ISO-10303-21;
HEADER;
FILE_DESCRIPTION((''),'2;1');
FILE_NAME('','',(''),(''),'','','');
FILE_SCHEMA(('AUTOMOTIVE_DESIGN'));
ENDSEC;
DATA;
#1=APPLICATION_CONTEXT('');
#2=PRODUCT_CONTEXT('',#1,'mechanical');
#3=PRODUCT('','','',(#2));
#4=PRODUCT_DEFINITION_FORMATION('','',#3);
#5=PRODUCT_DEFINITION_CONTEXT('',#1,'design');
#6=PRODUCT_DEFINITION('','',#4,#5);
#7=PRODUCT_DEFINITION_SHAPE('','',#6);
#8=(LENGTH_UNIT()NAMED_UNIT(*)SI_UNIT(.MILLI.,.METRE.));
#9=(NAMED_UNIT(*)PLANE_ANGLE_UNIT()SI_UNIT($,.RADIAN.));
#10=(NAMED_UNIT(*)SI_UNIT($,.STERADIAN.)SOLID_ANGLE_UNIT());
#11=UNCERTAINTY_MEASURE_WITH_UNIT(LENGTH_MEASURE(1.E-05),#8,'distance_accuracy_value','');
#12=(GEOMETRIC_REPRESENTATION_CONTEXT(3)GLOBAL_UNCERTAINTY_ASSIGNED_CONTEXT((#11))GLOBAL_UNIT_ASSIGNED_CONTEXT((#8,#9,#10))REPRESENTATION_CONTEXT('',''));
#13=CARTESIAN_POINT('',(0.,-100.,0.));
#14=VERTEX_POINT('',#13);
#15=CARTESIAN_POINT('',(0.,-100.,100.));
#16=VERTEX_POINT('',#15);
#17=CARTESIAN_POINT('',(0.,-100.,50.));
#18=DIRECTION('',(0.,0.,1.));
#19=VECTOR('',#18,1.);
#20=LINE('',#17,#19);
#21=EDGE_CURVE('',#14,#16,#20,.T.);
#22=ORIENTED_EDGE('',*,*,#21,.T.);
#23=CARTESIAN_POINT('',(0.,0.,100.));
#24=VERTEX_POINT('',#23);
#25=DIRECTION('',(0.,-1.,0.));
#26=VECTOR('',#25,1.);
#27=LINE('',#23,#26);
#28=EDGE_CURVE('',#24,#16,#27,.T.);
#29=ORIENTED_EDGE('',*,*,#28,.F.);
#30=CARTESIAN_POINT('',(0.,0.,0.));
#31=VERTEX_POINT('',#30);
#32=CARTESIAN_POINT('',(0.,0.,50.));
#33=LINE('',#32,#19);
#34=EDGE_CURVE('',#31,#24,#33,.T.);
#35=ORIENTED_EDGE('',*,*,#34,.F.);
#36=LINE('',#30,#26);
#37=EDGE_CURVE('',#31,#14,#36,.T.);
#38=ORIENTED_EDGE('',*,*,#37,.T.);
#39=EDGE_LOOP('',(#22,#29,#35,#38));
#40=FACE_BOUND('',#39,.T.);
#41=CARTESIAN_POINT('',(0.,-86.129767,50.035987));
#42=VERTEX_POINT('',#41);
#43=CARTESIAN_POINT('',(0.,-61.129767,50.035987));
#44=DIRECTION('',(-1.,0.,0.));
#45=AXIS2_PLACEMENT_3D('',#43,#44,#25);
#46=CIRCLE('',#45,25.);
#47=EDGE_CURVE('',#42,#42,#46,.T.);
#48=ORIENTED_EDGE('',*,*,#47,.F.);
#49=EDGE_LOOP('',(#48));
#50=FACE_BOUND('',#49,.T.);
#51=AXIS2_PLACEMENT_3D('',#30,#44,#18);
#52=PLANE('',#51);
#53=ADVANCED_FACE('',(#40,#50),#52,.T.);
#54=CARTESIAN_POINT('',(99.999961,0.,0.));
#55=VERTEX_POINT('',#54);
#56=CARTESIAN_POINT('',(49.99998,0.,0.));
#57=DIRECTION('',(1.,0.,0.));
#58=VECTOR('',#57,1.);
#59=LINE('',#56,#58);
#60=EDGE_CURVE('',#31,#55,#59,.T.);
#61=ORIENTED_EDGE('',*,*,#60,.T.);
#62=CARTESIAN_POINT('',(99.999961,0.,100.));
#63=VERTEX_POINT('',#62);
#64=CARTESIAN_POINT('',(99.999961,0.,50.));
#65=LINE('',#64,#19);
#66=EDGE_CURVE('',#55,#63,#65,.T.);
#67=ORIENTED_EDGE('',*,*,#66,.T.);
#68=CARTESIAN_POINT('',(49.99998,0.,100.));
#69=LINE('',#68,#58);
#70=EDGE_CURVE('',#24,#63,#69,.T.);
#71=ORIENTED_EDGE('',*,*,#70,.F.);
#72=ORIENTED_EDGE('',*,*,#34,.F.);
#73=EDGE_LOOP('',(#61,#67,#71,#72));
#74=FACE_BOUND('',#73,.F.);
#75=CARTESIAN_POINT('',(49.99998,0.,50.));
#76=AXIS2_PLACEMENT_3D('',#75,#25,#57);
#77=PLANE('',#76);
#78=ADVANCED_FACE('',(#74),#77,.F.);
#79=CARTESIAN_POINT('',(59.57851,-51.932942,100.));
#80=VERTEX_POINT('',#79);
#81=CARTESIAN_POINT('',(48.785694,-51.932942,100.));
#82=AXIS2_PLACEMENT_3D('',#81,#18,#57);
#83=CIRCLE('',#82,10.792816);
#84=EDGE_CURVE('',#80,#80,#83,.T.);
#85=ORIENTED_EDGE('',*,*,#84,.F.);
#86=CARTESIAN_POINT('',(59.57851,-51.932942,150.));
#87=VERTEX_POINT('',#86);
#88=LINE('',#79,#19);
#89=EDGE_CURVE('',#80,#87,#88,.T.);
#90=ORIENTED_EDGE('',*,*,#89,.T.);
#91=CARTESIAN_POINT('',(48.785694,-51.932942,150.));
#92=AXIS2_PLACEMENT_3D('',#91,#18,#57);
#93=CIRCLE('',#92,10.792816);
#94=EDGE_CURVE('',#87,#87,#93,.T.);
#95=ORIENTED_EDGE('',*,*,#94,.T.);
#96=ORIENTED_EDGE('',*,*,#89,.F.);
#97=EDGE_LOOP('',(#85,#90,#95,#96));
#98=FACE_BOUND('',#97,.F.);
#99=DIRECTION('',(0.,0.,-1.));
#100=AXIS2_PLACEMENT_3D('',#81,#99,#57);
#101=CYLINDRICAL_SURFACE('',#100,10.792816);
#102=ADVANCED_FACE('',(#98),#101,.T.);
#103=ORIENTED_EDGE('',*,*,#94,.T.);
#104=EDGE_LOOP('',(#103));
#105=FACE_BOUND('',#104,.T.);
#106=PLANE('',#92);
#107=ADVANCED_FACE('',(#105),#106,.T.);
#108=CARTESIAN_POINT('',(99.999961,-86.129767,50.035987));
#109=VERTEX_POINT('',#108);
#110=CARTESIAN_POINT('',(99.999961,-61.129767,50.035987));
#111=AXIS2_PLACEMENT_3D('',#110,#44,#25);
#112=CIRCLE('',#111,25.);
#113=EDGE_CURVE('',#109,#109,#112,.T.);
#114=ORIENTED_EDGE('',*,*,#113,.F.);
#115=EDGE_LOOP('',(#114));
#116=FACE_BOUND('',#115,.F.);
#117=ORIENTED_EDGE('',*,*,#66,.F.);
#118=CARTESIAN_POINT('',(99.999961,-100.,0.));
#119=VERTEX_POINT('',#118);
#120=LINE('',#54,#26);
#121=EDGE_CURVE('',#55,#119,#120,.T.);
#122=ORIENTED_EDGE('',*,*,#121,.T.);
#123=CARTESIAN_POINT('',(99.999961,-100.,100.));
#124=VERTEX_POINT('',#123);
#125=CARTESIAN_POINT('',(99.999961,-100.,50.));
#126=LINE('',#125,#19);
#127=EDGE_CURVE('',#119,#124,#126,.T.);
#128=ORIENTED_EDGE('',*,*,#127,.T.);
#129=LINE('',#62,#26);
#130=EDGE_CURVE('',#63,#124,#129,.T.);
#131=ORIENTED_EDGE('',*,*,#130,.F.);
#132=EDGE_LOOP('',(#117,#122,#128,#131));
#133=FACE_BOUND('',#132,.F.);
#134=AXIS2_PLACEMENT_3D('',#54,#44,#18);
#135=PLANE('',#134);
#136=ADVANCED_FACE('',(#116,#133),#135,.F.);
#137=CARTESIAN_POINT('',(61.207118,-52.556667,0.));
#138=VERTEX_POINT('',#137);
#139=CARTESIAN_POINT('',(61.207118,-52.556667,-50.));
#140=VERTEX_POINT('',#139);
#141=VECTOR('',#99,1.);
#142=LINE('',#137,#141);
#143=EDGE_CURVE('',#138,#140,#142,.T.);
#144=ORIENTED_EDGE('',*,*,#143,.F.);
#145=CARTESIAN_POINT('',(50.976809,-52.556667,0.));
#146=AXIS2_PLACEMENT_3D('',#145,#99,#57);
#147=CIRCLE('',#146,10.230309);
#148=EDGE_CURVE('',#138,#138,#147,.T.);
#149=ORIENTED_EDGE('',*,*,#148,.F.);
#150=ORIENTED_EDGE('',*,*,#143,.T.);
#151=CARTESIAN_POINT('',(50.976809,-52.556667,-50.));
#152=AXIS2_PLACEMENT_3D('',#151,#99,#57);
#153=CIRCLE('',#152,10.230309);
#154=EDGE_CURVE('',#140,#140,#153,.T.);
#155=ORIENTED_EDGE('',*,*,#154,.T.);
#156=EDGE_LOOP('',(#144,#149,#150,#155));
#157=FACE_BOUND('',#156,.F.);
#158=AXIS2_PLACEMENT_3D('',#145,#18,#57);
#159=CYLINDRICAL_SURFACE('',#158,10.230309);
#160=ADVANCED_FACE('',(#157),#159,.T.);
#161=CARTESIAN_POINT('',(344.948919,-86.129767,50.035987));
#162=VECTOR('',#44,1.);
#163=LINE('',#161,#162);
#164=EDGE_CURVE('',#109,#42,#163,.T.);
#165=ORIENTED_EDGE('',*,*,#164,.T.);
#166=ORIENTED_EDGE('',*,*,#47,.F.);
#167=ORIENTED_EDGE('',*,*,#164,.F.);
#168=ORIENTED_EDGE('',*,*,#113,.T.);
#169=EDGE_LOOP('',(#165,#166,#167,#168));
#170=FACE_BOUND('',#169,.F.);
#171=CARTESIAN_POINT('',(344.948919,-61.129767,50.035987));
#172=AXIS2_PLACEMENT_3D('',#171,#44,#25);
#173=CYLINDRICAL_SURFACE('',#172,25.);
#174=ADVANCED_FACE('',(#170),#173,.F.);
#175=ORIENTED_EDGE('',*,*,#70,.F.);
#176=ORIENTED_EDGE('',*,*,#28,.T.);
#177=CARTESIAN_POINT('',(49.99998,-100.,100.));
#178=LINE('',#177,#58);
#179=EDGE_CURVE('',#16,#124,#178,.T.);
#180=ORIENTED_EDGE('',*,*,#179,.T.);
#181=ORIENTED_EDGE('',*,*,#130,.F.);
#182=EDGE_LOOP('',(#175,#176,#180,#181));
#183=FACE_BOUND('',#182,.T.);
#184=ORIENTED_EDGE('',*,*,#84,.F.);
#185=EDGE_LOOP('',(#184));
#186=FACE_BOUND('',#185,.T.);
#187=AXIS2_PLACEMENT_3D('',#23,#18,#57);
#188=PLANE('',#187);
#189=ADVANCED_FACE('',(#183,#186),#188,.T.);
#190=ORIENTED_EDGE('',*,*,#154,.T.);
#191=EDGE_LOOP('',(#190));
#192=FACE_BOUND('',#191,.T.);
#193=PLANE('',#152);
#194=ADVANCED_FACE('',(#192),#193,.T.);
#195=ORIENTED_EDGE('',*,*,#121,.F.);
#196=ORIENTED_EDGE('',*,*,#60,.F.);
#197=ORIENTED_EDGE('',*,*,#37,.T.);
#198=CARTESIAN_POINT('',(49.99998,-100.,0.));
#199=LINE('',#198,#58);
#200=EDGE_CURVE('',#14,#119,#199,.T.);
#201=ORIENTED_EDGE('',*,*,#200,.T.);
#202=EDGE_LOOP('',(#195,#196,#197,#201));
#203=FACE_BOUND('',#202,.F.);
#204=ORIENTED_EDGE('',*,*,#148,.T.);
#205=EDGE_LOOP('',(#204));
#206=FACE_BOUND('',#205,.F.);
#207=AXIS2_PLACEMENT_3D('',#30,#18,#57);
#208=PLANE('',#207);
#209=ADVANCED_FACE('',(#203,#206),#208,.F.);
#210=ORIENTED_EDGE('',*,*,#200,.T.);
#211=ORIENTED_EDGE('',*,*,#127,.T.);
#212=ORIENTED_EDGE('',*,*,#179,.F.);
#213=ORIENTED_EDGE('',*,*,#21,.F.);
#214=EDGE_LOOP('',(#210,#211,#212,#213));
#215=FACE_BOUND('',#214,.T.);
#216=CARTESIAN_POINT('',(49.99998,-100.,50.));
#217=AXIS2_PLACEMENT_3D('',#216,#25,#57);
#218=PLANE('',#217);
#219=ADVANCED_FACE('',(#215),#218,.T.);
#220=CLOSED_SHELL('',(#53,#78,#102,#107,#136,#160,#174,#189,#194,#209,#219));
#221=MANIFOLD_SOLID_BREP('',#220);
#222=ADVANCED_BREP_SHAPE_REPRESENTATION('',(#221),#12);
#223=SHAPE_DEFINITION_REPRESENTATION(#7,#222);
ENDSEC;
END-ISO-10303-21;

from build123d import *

# Parameters (mm, degrees)
F0_W     = 99.999961
F0_H     = 100
F1_DEPTH = 100
F2_R     = 10.792816
F3_DEPTH = 50
F5_R     = 10.230309
F6_DEPTH = 50
F8_D     = 50


with BuildPart() as f1:
    # F0 (on Front) → F1 (new body)
    with BuildSketch(Plane.XZ):
        with Locations((49.99998, 50)):
            Rectangle(F0_W, F0_H)
    extrude(amount=F1_DEPTH)

    # F2 (on face) → F3 (join)
    with BuildSketch(Plane.XY.offset(100)):
        with Locations((48.785694, -51.932942)):
            Circle(F2_R)
    extrude(amount=F3_DEPTH)

    # F5 (on face) → F6 (join)
    with BuildSketch(Plane(origin=(0, 0, 0), x_dir=(1, 0, 0), z_dir=(0, 0, -1))):
        with Locations((50.976809, 52.556667)):
            Circle(F5_R)
    extrude(amount=F6_DEPTH)

    # F8 (through all)
    with Locations(Plane.YZ.offset(99.999961)):
        with Locations((-61.129767, 50.035987)):
            Hole(F8_D / 2)


solid = f1.part
